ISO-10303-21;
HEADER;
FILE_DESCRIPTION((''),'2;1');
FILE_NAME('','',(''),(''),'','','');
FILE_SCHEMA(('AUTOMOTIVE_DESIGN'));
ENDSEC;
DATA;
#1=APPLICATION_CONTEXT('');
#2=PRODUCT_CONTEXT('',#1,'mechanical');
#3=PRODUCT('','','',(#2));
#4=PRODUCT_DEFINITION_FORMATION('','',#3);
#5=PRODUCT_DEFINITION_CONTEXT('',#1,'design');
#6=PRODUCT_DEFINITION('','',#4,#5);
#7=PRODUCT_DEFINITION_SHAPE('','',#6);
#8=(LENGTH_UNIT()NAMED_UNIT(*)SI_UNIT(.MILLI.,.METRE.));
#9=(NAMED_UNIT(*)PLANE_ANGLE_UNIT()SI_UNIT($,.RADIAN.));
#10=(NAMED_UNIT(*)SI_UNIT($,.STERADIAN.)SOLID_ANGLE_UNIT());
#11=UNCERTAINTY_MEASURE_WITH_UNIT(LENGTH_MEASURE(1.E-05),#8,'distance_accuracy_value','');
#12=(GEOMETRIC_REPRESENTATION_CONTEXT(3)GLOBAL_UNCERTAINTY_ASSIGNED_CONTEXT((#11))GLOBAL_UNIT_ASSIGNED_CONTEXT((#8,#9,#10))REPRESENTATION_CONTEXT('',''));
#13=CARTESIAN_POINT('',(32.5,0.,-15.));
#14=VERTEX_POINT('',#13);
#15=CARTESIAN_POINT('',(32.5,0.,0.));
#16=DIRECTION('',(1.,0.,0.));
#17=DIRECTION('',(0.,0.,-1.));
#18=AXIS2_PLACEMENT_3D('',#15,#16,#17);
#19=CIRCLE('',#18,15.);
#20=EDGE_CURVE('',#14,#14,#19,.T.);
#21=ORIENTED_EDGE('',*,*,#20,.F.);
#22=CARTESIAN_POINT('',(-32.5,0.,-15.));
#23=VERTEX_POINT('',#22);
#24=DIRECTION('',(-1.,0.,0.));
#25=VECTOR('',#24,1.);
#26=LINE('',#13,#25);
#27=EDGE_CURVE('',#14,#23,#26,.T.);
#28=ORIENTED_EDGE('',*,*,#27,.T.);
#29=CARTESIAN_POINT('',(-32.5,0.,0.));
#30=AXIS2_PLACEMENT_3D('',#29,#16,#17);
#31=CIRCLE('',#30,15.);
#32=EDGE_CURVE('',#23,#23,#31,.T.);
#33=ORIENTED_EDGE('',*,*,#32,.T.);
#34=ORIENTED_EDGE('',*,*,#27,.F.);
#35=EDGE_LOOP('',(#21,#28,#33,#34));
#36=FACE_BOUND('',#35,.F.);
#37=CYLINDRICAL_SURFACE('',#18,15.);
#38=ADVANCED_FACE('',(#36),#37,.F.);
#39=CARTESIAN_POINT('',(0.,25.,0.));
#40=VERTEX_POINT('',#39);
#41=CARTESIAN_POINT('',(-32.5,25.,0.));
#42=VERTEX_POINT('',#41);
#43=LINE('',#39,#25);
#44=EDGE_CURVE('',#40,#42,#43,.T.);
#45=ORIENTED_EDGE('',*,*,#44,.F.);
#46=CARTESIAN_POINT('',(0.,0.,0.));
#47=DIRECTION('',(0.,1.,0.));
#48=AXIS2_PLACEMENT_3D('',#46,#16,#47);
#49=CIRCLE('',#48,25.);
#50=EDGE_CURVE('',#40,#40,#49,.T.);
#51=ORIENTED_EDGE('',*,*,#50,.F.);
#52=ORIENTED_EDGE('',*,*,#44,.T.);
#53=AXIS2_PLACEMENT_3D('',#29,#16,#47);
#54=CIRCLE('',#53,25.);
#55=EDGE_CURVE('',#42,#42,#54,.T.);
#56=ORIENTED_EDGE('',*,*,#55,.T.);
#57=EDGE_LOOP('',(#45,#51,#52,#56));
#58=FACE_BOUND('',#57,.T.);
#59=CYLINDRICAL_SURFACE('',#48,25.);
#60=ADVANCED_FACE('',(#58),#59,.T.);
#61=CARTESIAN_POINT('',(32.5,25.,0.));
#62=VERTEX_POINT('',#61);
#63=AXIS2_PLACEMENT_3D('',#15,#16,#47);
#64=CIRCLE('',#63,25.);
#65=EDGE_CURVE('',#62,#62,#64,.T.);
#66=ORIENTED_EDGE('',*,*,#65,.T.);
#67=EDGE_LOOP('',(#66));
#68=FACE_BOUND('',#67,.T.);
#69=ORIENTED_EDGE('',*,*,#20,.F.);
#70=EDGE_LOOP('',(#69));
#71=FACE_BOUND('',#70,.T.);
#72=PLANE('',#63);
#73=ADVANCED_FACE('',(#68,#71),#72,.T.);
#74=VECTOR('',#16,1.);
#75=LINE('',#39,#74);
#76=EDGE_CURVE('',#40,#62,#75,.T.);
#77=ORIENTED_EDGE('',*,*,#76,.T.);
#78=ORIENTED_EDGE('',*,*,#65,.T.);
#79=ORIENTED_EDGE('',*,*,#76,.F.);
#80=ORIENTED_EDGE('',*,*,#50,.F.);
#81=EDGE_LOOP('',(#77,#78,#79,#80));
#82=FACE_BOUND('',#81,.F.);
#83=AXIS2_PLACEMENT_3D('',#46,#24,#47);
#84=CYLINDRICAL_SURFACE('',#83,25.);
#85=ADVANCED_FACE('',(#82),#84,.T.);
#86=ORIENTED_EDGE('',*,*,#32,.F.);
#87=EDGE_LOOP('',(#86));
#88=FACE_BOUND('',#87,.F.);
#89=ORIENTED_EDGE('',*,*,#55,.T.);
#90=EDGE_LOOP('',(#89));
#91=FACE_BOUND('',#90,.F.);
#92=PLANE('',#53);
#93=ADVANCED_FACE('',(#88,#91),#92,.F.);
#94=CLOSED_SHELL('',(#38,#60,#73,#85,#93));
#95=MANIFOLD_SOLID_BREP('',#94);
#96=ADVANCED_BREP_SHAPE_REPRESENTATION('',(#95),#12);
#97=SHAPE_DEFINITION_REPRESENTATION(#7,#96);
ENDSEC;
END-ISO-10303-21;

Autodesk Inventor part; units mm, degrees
ref_plane "YZ Plane" through (0, 0, 0) normal (1, 0, 0) x (0, 1, 0)
ref_plane "XZ Plane" through (0, 0, 0) normal (0, 1, 0) x (-1, 0, 0)
ref_plane "XY Plane" through (0, 0, 0) normal (0, 0, 1) x (1, 0, 0)
sketch "Sketch1" plane through (0, 0, 0) normal (1, 0, 0) x (0, 1, 0)
  circle A0 centre (0, 0) radius 25
  dimension "d0" = 50
extrude "Extrusion1" add sketch "Sketch1" along normal mid plane 65
sketch "Sketch2" plane through (32.5, 0, 0) normal (1, 0, 0) x (0, 0, -1)
  circle A0 centre (0, 0) radius 15
  dimension "d3" = 30
extrude "Extrusion2" cut sketch "Sketch2" against normal blind 99
properties part number "ROLLER"
